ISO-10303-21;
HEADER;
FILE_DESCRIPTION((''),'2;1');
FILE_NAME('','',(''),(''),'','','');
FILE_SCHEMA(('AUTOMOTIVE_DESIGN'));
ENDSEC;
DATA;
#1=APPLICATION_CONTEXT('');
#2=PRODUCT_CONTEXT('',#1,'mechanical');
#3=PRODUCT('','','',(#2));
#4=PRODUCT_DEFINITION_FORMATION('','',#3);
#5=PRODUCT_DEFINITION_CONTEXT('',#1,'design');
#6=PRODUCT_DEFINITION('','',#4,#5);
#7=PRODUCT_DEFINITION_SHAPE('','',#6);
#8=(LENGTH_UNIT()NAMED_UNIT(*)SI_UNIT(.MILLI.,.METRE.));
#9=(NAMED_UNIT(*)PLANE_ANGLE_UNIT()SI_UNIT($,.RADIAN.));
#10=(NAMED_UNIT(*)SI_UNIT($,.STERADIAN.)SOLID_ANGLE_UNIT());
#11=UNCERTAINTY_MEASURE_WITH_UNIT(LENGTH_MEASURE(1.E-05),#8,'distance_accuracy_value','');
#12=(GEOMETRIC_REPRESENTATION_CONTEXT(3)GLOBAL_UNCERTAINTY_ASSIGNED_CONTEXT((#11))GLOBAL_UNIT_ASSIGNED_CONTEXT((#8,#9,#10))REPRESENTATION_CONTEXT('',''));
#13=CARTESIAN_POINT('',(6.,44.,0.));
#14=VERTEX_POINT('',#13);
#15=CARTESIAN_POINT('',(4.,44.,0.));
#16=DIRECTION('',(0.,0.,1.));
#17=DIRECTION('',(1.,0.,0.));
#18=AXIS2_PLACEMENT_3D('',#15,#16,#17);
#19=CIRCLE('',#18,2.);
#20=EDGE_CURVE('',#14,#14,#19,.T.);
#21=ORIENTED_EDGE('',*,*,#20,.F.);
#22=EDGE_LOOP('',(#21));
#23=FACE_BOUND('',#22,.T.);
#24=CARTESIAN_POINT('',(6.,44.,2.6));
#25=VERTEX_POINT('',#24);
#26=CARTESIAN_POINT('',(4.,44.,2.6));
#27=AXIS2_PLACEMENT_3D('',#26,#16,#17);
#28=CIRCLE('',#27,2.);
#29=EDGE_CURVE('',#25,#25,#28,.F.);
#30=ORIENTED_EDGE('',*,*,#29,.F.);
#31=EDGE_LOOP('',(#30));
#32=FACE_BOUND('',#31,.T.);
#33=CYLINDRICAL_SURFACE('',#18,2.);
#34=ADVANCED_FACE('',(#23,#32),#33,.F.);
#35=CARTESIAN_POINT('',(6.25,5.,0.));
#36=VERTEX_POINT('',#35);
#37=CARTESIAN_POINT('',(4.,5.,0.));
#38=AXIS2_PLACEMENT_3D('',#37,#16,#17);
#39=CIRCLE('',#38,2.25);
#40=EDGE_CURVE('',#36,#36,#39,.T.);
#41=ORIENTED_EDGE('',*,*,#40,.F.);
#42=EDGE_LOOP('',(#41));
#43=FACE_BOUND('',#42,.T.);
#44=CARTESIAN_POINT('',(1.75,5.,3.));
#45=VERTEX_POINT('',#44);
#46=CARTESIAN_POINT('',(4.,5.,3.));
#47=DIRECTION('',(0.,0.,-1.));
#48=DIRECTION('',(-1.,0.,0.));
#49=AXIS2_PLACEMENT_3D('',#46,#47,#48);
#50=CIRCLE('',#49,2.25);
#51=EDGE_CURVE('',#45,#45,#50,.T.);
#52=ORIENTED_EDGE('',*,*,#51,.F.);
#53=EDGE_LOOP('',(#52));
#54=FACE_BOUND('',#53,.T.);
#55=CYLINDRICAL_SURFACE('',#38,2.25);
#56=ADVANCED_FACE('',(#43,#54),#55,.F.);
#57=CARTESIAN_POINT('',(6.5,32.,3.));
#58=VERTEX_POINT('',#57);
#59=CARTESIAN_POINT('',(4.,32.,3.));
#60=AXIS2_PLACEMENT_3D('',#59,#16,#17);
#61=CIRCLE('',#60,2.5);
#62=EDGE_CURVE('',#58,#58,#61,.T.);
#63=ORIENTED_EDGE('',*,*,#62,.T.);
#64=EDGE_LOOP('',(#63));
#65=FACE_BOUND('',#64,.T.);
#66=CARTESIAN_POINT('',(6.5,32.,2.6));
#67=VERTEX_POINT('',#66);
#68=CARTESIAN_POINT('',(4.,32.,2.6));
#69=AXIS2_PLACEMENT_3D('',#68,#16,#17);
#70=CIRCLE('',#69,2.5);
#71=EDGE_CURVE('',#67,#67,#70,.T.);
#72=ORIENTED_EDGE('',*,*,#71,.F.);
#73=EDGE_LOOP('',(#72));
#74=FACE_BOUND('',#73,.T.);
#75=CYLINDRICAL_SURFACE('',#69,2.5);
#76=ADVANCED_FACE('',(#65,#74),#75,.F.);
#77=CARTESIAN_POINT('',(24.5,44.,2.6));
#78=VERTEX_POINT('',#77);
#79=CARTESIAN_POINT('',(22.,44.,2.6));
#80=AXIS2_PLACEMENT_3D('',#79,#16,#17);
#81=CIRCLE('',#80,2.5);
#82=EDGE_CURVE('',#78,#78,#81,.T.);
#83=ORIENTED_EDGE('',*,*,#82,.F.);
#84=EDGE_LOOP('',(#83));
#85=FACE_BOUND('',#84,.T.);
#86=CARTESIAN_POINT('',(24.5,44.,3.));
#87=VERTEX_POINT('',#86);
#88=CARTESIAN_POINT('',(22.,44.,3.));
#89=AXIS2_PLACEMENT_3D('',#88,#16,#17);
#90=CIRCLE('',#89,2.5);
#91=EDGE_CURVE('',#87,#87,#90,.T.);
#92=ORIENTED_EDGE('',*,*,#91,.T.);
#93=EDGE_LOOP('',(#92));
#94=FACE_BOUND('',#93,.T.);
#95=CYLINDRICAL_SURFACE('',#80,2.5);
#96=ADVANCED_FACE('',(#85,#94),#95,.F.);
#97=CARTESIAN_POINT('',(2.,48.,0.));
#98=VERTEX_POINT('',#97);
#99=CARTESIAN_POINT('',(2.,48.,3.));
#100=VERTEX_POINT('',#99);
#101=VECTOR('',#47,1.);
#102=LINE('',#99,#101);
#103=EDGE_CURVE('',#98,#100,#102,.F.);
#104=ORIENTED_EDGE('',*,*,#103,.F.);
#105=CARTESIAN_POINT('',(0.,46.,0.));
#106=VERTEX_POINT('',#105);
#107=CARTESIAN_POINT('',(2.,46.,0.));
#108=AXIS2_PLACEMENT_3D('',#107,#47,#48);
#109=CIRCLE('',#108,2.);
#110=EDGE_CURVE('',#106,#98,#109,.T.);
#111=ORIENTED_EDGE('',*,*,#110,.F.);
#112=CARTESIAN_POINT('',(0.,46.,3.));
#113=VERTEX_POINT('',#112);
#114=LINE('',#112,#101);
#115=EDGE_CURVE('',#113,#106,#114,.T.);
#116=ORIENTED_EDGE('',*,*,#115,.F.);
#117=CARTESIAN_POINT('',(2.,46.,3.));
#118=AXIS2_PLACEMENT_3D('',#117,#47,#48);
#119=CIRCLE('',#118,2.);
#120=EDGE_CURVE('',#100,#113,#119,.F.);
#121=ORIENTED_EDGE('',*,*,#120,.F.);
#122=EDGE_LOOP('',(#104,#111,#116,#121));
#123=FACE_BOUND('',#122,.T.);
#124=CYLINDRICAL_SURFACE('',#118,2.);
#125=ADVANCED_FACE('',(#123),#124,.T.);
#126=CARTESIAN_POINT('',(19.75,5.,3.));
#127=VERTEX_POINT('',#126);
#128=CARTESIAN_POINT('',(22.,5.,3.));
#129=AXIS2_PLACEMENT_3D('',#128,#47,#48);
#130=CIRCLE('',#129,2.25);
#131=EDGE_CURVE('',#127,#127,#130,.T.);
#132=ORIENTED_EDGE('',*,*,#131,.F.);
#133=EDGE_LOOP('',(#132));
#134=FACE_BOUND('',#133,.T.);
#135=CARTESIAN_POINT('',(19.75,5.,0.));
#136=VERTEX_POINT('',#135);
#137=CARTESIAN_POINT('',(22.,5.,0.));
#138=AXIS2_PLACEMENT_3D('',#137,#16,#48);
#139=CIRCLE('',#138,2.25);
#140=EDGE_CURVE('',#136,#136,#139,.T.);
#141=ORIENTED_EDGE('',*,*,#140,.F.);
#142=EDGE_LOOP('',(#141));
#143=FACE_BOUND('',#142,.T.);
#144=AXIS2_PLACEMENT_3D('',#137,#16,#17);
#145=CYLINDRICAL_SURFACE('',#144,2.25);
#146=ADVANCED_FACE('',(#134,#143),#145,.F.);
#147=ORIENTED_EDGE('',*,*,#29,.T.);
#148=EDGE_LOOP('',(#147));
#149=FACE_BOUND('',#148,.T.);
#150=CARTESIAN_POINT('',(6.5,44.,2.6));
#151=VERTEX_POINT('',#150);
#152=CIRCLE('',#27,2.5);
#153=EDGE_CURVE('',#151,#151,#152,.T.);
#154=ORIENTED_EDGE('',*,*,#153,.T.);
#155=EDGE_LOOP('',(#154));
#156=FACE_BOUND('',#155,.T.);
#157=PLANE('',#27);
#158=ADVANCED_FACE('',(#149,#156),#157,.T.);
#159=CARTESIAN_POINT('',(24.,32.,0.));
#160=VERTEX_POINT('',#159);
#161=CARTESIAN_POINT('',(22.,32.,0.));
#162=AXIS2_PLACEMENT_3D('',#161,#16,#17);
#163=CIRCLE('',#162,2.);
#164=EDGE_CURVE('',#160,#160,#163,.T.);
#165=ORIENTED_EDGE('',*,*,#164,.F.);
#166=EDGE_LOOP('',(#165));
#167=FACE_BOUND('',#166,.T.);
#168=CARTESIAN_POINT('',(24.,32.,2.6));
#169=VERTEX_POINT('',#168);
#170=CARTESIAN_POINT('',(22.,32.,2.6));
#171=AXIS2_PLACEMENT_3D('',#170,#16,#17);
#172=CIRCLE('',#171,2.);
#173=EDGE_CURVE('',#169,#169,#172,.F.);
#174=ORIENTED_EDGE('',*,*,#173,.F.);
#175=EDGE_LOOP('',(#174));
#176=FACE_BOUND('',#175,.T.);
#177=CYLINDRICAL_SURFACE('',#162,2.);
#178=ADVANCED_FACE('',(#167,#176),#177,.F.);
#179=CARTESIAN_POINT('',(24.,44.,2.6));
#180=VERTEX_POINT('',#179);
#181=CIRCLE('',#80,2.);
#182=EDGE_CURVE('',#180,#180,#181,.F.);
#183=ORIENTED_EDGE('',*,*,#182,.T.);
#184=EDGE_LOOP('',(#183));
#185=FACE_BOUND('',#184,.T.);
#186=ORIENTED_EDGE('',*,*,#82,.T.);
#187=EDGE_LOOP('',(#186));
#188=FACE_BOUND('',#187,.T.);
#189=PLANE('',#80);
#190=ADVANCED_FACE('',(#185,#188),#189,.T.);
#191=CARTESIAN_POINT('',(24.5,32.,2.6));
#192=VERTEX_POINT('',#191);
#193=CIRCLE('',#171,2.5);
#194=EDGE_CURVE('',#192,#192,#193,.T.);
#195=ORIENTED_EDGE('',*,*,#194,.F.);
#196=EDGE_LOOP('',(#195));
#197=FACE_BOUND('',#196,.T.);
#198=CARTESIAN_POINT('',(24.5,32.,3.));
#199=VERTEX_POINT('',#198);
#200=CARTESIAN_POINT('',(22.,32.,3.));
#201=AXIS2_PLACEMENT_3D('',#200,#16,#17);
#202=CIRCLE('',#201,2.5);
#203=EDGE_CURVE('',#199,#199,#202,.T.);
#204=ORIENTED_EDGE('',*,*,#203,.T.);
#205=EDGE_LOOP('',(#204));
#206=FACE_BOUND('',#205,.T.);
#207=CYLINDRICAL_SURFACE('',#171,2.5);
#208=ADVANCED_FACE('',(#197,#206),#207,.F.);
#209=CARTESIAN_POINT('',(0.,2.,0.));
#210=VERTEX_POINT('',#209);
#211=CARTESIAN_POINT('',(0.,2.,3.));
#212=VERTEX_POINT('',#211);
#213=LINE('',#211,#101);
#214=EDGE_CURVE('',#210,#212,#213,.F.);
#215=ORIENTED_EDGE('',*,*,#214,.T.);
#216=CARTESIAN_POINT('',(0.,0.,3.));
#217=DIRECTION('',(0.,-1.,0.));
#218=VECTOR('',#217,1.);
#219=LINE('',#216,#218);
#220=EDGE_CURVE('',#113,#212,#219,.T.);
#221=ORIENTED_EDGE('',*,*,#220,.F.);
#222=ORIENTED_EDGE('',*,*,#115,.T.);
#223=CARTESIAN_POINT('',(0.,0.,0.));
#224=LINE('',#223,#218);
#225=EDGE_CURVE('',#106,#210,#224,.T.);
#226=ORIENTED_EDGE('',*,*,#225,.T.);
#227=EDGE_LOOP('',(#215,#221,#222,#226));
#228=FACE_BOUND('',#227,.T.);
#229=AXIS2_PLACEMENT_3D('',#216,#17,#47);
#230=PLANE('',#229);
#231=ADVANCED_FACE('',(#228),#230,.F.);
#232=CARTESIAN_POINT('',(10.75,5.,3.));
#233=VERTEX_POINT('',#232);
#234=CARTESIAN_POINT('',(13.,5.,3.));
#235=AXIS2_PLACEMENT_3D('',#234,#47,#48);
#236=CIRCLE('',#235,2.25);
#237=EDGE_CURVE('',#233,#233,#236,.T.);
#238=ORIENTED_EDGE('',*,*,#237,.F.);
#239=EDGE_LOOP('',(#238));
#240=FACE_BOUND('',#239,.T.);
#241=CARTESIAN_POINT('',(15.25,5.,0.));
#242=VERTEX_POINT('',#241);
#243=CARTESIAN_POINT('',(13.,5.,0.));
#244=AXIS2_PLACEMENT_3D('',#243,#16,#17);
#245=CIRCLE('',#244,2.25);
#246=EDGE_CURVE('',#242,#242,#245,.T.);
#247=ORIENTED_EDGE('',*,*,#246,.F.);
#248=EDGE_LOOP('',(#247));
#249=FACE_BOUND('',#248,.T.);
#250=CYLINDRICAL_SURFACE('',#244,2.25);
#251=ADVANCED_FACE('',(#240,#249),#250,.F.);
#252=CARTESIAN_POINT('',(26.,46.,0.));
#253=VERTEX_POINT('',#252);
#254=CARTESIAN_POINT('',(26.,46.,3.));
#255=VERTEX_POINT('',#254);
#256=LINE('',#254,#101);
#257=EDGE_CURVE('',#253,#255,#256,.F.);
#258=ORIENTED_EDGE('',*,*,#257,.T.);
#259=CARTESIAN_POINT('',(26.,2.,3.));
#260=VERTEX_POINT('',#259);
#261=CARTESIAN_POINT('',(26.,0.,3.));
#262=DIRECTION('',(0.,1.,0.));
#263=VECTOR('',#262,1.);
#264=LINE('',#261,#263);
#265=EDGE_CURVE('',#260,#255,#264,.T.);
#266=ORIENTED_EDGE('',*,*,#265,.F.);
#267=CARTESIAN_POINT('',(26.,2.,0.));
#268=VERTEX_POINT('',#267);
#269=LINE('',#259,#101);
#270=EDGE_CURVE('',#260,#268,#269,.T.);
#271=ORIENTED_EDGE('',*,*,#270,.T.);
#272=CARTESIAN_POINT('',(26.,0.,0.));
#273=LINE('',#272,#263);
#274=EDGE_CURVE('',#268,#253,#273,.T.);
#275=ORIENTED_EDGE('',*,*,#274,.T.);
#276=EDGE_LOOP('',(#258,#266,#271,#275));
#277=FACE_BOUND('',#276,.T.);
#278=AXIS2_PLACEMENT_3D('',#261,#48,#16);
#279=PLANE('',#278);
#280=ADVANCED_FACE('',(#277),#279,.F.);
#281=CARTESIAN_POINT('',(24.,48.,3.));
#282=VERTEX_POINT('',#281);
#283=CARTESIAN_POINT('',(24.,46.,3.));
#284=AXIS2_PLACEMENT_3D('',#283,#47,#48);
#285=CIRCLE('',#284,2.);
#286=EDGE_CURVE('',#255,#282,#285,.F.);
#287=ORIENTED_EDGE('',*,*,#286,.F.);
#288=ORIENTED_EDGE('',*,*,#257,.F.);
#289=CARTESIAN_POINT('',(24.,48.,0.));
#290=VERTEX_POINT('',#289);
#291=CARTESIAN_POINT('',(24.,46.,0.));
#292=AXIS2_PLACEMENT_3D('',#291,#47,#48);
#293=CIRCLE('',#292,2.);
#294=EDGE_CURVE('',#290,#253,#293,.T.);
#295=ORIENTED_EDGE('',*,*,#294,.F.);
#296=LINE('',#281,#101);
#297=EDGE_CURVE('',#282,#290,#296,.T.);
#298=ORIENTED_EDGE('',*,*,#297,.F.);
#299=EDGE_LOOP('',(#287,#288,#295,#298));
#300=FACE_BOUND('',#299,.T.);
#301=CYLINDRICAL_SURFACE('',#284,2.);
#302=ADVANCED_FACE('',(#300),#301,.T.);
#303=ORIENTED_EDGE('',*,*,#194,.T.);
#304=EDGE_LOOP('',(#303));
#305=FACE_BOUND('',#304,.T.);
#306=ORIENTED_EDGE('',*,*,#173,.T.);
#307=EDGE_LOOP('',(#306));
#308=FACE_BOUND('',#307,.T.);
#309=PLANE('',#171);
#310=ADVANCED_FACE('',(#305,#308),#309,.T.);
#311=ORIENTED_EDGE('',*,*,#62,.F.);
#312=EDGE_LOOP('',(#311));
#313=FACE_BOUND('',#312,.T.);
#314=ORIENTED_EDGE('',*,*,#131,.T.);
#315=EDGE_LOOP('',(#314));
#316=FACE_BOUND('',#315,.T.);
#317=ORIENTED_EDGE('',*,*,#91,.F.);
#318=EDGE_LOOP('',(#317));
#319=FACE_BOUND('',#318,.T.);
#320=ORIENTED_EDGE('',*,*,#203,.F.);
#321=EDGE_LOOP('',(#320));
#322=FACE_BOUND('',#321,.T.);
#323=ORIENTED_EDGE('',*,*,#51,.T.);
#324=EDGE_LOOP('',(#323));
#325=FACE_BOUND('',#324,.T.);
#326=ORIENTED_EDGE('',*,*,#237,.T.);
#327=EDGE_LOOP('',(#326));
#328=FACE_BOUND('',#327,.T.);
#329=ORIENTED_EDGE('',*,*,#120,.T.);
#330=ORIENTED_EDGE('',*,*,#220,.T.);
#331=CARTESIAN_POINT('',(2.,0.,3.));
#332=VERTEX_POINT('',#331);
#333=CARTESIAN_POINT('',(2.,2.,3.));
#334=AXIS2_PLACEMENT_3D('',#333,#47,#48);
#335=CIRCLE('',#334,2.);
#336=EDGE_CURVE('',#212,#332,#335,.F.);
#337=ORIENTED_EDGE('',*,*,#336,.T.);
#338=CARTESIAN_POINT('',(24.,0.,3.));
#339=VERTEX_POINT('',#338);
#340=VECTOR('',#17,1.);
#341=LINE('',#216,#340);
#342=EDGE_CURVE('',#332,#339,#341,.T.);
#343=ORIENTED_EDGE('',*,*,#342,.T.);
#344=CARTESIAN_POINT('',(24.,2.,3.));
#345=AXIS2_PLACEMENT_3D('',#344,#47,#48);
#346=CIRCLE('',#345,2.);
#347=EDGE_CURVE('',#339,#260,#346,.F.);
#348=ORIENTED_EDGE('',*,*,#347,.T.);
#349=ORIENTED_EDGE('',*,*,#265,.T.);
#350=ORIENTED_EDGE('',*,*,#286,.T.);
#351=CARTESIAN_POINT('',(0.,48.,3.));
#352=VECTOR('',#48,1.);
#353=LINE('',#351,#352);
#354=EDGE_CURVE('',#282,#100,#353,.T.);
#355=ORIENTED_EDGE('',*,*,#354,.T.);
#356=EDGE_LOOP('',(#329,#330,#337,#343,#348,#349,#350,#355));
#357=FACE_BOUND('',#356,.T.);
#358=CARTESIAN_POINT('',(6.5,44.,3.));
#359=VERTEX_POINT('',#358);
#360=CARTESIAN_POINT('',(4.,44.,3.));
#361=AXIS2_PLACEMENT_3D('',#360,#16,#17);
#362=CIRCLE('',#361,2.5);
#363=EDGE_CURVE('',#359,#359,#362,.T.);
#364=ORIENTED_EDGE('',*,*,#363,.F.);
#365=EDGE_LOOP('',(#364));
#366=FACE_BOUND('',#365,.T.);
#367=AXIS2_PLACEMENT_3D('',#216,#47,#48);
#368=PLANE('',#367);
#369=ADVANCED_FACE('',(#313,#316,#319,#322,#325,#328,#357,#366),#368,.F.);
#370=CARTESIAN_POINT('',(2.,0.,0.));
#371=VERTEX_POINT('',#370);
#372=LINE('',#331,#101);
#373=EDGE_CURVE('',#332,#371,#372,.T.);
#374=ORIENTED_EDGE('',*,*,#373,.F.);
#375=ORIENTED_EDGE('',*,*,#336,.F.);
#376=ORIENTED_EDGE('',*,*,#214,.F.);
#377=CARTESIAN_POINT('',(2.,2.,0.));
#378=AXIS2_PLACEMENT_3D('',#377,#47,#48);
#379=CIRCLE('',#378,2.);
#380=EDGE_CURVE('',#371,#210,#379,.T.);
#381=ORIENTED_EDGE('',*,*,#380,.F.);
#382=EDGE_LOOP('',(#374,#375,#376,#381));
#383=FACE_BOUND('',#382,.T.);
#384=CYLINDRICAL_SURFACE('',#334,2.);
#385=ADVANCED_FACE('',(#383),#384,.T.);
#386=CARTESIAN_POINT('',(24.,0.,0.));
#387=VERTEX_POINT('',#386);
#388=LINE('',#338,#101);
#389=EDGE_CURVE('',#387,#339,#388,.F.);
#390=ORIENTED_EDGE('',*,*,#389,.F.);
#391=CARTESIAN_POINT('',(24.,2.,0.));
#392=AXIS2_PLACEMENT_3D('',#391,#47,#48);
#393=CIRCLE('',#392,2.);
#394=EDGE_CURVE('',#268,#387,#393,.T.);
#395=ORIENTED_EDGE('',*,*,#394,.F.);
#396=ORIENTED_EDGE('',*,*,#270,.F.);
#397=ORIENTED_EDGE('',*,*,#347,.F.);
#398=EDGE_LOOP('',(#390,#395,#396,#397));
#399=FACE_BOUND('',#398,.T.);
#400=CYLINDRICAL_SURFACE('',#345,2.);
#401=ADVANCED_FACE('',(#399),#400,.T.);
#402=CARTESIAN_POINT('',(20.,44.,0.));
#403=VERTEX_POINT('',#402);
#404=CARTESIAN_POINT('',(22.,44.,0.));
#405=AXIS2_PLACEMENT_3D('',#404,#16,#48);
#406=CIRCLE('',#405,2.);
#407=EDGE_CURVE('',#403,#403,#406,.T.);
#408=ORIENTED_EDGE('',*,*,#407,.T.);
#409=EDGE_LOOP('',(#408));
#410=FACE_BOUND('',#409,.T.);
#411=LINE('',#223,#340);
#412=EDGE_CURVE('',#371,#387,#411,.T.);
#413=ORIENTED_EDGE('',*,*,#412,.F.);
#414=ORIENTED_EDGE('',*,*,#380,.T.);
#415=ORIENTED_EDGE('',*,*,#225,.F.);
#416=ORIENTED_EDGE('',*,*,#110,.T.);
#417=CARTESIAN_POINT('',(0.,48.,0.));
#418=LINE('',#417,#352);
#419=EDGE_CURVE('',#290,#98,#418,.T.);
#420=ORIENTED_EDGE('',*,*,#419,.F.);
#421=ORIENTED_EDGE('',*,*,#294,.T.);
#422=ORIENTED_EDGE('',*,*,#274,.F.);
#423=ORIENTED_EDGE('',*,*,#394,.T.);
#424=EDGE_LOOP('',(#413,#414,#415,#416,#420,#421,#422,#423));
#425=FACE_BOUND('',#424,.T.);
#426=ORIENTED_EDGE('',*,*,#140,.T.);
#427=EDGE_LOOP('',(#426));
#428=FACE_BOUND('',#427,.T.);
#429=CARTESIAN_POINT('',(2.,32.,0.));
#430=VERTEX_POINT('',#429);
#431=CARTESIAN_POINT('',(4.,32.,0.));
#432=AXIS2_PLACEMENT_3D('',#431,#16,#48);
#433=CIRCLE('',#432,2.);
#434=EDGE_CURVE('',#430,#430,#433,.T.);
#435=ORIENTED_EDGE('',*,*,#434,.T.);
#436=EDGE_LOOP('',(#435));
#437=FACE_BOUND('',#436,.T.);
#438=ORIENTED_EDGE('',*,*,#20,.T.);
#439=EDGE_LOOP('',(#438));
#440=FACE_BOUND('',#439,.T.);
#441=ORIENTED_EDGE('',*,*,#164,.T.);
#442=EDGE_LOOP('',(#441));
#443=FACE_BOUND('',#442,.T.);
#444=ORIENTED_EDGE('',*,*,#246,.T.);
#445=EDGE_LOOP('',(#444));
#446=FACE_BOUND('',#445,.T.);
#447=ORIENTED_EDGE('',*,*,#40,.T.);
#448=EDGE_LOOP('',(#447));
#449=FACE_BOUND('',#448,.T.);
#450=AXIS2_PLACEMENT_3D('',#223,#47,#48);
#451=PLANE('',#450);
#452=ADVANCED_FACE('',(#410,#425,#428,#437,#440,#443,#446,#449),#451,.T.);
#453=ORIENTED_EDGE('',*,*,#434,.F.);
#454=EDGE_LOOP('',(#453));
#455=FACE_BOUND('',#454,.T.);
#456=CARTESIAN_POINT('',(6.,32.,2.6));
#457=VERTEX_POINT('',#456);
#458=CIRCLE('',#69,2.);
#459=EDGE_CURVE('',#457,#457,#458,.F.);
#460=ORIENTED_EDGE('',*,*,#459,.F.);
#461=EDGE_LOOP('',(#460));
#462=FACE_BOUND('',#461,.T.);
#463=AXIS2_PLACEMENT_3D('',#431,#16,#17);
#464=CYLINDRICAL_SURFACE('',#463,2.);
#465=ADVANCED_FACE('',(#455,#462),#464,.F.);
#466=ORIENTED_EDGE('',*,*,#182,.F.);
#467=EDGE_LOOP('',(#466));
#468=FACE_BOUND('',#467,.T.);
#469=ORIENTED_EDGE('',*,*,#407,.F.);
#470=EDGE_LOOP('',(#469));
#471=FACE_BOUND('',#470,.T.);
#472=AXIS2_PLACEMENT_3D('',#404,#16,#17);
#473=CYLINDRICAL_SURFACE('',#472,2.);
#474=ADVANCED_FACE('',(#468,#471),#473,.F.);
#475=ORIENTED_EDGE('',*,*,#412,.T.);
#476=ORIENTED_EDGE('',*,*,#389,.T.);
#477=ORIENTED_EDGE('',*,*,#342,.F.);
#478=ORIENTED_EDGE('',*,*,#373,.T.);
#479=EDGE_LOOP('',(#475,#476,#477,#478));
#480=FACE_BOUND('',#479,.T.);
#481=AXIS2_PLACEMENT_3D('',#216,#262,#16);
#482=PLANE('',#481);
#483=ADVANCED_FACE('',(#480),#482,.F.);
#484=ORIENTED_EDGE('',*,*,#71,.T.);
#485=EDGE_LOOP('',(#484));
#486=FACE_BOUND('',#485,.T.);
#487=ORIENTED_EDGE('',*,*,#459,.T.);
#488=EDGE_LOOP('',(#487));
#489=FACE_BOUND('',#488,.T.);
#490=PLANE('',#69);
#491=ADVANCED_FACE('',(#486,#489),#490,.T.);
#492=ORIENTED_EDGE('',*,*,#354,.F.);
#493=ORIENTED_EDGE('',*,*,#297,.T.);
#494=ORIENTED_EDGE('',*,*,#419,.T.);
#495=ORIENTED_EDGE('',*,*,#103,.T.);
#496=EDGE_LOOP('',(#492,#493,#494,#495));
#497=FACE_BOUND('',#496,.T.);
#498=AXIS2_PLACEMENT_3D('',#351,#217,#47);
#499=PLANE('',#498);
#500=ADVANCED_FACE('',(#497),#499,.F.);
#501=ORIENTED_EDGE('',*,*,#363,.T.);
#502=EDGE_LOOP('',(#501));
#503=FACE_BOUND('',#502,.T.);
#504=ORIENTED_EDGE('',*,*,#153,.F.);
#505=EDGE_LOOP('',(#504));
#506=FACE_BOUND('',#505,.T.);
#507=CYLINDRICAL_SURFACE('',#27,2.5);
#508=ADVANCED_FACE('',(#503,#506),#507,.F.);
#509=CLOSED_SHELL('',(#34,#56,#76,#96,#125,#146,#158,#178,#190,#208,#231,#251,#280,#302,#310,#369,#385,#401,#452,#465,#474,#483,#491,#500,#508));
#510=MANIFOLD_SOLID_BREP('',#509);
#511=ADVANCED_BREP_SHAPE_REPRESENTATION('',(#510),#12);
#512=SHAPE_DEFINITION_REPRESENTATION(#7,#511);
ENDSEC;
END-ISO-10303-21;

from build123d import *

# Parameters (mm, degrees)
ESQUISSE1_W                  = 26
ESQUISSE1_H                  = 48
BOSS_EXTRU_1_DEPTH           = 3
ESQUISSE2_R                  = 2
ENL_V_MAT_EXTRU_1_DEPTH      = 1
ENL_V_MAT_EXTRU_1_DEPTH_BACK = 4
ESQUISSE3_R                  = 2.25
ENL_V_MAT_EXTRU_2_DEPTH      = 1
ENL_V_MAT_EXTRU_2_DEPTH_BACK = 4
ESQUISSE4_R                  = 2.5
ENL_V_MAT_EXTRU_3_DEPTH      = 0.4
CONG_1_R                     = 2


with BuildPart() as part:
    # Esquisse1 → Boss.-Extru.1 (new body)
    with BuildSketch(Plane.XY):
        with Locations((13, 24)):
            Rectangle(ESQUISSE1_W, ESQUISSE1_H)
    extrude(amount=BOSS_EXTRU_1_DEPTH)

    # Esquisse2 → Enlèv. mat.-Extru.1 (cut, two sides)
    with BuildSketch(Plane.XY.offset(3)) as enl_v_mat_extru_1_sk:
        with Locations((4, 44)):
            Circle(ESQUISSE2_R)
        with Locations((4, 32)):
            Circle(ESQUISSE2_R)
        with Locations((22, 32)):
            Circle(ESQUISSE2_R)
        with Locations((22, 44)):
            Circle(ESQUISSE2_R)
    extrude(amount=ENL_V_MAT_EXTRU_1_DEPTH, mode=Mode.SUBTRACT)
    extrude(enl_v_mat_extru_1_sk.sketch, amount=-ENL_V_MAT_EXTRU_1_DEPTH_BACK, mode=Mode.SUBTRACT)

    # Esquisse3 → Enlèv. mat.-Extru.2 (cut, two sides)
    with BuildSketch(Plane.XY.offset(3)) as enl_v_mat_extru_2_sk:
        with Locations((13, 5)):
            Circle(ESQUISSE3_R)
        with Locations((4, 5)):
            Circle(ESQUISSE3_R)
        with Locations((22, 5)):
            Circle(ESQUISSE3_R)
    extrude(amount=ENL_V_MAT_EXTRU_2_DEPTH, mode=Mode.SUBTRACT)
    extrude(enl_v_mat_extru_2_sk.sketch, amount=-ENL_V_MAT_EXTRU_2_DEPTH_BACK, mode=Mode.SUBTRACT)

    # Esquisse4 → Enlèv. mat.-Extru.3 (cut)
    with BuildSketch(Plane.XY.offset(3)):
        with Locations((4, 32)):
            Circle(ESQUISSE4_R)
        with Locations((22, 32)):
            Circle(ESQUISSE4_R)
        with Locations((22, 44)):
            Circle(ESQUISSE4_R)
        with Locations((4, 44)):
            Circle(ESQUISSE4_R)
    extrude(amount=-ENL_V_MAT_EXTRU_3_DEPTH, mode=Mode.SUBTRACT)

    # Congé1
    cong_1_edges = [part.edges().sort_by_distance(p)[0] for p in [
        (0, 48, 1.5),
        (26, 48, 1.5),
        (26, 0, 1.5),
        (0, 0, 1.5),
    ]]
    fillet(cong_1_edges, radius=CONG_1_R)


solid = part.part
